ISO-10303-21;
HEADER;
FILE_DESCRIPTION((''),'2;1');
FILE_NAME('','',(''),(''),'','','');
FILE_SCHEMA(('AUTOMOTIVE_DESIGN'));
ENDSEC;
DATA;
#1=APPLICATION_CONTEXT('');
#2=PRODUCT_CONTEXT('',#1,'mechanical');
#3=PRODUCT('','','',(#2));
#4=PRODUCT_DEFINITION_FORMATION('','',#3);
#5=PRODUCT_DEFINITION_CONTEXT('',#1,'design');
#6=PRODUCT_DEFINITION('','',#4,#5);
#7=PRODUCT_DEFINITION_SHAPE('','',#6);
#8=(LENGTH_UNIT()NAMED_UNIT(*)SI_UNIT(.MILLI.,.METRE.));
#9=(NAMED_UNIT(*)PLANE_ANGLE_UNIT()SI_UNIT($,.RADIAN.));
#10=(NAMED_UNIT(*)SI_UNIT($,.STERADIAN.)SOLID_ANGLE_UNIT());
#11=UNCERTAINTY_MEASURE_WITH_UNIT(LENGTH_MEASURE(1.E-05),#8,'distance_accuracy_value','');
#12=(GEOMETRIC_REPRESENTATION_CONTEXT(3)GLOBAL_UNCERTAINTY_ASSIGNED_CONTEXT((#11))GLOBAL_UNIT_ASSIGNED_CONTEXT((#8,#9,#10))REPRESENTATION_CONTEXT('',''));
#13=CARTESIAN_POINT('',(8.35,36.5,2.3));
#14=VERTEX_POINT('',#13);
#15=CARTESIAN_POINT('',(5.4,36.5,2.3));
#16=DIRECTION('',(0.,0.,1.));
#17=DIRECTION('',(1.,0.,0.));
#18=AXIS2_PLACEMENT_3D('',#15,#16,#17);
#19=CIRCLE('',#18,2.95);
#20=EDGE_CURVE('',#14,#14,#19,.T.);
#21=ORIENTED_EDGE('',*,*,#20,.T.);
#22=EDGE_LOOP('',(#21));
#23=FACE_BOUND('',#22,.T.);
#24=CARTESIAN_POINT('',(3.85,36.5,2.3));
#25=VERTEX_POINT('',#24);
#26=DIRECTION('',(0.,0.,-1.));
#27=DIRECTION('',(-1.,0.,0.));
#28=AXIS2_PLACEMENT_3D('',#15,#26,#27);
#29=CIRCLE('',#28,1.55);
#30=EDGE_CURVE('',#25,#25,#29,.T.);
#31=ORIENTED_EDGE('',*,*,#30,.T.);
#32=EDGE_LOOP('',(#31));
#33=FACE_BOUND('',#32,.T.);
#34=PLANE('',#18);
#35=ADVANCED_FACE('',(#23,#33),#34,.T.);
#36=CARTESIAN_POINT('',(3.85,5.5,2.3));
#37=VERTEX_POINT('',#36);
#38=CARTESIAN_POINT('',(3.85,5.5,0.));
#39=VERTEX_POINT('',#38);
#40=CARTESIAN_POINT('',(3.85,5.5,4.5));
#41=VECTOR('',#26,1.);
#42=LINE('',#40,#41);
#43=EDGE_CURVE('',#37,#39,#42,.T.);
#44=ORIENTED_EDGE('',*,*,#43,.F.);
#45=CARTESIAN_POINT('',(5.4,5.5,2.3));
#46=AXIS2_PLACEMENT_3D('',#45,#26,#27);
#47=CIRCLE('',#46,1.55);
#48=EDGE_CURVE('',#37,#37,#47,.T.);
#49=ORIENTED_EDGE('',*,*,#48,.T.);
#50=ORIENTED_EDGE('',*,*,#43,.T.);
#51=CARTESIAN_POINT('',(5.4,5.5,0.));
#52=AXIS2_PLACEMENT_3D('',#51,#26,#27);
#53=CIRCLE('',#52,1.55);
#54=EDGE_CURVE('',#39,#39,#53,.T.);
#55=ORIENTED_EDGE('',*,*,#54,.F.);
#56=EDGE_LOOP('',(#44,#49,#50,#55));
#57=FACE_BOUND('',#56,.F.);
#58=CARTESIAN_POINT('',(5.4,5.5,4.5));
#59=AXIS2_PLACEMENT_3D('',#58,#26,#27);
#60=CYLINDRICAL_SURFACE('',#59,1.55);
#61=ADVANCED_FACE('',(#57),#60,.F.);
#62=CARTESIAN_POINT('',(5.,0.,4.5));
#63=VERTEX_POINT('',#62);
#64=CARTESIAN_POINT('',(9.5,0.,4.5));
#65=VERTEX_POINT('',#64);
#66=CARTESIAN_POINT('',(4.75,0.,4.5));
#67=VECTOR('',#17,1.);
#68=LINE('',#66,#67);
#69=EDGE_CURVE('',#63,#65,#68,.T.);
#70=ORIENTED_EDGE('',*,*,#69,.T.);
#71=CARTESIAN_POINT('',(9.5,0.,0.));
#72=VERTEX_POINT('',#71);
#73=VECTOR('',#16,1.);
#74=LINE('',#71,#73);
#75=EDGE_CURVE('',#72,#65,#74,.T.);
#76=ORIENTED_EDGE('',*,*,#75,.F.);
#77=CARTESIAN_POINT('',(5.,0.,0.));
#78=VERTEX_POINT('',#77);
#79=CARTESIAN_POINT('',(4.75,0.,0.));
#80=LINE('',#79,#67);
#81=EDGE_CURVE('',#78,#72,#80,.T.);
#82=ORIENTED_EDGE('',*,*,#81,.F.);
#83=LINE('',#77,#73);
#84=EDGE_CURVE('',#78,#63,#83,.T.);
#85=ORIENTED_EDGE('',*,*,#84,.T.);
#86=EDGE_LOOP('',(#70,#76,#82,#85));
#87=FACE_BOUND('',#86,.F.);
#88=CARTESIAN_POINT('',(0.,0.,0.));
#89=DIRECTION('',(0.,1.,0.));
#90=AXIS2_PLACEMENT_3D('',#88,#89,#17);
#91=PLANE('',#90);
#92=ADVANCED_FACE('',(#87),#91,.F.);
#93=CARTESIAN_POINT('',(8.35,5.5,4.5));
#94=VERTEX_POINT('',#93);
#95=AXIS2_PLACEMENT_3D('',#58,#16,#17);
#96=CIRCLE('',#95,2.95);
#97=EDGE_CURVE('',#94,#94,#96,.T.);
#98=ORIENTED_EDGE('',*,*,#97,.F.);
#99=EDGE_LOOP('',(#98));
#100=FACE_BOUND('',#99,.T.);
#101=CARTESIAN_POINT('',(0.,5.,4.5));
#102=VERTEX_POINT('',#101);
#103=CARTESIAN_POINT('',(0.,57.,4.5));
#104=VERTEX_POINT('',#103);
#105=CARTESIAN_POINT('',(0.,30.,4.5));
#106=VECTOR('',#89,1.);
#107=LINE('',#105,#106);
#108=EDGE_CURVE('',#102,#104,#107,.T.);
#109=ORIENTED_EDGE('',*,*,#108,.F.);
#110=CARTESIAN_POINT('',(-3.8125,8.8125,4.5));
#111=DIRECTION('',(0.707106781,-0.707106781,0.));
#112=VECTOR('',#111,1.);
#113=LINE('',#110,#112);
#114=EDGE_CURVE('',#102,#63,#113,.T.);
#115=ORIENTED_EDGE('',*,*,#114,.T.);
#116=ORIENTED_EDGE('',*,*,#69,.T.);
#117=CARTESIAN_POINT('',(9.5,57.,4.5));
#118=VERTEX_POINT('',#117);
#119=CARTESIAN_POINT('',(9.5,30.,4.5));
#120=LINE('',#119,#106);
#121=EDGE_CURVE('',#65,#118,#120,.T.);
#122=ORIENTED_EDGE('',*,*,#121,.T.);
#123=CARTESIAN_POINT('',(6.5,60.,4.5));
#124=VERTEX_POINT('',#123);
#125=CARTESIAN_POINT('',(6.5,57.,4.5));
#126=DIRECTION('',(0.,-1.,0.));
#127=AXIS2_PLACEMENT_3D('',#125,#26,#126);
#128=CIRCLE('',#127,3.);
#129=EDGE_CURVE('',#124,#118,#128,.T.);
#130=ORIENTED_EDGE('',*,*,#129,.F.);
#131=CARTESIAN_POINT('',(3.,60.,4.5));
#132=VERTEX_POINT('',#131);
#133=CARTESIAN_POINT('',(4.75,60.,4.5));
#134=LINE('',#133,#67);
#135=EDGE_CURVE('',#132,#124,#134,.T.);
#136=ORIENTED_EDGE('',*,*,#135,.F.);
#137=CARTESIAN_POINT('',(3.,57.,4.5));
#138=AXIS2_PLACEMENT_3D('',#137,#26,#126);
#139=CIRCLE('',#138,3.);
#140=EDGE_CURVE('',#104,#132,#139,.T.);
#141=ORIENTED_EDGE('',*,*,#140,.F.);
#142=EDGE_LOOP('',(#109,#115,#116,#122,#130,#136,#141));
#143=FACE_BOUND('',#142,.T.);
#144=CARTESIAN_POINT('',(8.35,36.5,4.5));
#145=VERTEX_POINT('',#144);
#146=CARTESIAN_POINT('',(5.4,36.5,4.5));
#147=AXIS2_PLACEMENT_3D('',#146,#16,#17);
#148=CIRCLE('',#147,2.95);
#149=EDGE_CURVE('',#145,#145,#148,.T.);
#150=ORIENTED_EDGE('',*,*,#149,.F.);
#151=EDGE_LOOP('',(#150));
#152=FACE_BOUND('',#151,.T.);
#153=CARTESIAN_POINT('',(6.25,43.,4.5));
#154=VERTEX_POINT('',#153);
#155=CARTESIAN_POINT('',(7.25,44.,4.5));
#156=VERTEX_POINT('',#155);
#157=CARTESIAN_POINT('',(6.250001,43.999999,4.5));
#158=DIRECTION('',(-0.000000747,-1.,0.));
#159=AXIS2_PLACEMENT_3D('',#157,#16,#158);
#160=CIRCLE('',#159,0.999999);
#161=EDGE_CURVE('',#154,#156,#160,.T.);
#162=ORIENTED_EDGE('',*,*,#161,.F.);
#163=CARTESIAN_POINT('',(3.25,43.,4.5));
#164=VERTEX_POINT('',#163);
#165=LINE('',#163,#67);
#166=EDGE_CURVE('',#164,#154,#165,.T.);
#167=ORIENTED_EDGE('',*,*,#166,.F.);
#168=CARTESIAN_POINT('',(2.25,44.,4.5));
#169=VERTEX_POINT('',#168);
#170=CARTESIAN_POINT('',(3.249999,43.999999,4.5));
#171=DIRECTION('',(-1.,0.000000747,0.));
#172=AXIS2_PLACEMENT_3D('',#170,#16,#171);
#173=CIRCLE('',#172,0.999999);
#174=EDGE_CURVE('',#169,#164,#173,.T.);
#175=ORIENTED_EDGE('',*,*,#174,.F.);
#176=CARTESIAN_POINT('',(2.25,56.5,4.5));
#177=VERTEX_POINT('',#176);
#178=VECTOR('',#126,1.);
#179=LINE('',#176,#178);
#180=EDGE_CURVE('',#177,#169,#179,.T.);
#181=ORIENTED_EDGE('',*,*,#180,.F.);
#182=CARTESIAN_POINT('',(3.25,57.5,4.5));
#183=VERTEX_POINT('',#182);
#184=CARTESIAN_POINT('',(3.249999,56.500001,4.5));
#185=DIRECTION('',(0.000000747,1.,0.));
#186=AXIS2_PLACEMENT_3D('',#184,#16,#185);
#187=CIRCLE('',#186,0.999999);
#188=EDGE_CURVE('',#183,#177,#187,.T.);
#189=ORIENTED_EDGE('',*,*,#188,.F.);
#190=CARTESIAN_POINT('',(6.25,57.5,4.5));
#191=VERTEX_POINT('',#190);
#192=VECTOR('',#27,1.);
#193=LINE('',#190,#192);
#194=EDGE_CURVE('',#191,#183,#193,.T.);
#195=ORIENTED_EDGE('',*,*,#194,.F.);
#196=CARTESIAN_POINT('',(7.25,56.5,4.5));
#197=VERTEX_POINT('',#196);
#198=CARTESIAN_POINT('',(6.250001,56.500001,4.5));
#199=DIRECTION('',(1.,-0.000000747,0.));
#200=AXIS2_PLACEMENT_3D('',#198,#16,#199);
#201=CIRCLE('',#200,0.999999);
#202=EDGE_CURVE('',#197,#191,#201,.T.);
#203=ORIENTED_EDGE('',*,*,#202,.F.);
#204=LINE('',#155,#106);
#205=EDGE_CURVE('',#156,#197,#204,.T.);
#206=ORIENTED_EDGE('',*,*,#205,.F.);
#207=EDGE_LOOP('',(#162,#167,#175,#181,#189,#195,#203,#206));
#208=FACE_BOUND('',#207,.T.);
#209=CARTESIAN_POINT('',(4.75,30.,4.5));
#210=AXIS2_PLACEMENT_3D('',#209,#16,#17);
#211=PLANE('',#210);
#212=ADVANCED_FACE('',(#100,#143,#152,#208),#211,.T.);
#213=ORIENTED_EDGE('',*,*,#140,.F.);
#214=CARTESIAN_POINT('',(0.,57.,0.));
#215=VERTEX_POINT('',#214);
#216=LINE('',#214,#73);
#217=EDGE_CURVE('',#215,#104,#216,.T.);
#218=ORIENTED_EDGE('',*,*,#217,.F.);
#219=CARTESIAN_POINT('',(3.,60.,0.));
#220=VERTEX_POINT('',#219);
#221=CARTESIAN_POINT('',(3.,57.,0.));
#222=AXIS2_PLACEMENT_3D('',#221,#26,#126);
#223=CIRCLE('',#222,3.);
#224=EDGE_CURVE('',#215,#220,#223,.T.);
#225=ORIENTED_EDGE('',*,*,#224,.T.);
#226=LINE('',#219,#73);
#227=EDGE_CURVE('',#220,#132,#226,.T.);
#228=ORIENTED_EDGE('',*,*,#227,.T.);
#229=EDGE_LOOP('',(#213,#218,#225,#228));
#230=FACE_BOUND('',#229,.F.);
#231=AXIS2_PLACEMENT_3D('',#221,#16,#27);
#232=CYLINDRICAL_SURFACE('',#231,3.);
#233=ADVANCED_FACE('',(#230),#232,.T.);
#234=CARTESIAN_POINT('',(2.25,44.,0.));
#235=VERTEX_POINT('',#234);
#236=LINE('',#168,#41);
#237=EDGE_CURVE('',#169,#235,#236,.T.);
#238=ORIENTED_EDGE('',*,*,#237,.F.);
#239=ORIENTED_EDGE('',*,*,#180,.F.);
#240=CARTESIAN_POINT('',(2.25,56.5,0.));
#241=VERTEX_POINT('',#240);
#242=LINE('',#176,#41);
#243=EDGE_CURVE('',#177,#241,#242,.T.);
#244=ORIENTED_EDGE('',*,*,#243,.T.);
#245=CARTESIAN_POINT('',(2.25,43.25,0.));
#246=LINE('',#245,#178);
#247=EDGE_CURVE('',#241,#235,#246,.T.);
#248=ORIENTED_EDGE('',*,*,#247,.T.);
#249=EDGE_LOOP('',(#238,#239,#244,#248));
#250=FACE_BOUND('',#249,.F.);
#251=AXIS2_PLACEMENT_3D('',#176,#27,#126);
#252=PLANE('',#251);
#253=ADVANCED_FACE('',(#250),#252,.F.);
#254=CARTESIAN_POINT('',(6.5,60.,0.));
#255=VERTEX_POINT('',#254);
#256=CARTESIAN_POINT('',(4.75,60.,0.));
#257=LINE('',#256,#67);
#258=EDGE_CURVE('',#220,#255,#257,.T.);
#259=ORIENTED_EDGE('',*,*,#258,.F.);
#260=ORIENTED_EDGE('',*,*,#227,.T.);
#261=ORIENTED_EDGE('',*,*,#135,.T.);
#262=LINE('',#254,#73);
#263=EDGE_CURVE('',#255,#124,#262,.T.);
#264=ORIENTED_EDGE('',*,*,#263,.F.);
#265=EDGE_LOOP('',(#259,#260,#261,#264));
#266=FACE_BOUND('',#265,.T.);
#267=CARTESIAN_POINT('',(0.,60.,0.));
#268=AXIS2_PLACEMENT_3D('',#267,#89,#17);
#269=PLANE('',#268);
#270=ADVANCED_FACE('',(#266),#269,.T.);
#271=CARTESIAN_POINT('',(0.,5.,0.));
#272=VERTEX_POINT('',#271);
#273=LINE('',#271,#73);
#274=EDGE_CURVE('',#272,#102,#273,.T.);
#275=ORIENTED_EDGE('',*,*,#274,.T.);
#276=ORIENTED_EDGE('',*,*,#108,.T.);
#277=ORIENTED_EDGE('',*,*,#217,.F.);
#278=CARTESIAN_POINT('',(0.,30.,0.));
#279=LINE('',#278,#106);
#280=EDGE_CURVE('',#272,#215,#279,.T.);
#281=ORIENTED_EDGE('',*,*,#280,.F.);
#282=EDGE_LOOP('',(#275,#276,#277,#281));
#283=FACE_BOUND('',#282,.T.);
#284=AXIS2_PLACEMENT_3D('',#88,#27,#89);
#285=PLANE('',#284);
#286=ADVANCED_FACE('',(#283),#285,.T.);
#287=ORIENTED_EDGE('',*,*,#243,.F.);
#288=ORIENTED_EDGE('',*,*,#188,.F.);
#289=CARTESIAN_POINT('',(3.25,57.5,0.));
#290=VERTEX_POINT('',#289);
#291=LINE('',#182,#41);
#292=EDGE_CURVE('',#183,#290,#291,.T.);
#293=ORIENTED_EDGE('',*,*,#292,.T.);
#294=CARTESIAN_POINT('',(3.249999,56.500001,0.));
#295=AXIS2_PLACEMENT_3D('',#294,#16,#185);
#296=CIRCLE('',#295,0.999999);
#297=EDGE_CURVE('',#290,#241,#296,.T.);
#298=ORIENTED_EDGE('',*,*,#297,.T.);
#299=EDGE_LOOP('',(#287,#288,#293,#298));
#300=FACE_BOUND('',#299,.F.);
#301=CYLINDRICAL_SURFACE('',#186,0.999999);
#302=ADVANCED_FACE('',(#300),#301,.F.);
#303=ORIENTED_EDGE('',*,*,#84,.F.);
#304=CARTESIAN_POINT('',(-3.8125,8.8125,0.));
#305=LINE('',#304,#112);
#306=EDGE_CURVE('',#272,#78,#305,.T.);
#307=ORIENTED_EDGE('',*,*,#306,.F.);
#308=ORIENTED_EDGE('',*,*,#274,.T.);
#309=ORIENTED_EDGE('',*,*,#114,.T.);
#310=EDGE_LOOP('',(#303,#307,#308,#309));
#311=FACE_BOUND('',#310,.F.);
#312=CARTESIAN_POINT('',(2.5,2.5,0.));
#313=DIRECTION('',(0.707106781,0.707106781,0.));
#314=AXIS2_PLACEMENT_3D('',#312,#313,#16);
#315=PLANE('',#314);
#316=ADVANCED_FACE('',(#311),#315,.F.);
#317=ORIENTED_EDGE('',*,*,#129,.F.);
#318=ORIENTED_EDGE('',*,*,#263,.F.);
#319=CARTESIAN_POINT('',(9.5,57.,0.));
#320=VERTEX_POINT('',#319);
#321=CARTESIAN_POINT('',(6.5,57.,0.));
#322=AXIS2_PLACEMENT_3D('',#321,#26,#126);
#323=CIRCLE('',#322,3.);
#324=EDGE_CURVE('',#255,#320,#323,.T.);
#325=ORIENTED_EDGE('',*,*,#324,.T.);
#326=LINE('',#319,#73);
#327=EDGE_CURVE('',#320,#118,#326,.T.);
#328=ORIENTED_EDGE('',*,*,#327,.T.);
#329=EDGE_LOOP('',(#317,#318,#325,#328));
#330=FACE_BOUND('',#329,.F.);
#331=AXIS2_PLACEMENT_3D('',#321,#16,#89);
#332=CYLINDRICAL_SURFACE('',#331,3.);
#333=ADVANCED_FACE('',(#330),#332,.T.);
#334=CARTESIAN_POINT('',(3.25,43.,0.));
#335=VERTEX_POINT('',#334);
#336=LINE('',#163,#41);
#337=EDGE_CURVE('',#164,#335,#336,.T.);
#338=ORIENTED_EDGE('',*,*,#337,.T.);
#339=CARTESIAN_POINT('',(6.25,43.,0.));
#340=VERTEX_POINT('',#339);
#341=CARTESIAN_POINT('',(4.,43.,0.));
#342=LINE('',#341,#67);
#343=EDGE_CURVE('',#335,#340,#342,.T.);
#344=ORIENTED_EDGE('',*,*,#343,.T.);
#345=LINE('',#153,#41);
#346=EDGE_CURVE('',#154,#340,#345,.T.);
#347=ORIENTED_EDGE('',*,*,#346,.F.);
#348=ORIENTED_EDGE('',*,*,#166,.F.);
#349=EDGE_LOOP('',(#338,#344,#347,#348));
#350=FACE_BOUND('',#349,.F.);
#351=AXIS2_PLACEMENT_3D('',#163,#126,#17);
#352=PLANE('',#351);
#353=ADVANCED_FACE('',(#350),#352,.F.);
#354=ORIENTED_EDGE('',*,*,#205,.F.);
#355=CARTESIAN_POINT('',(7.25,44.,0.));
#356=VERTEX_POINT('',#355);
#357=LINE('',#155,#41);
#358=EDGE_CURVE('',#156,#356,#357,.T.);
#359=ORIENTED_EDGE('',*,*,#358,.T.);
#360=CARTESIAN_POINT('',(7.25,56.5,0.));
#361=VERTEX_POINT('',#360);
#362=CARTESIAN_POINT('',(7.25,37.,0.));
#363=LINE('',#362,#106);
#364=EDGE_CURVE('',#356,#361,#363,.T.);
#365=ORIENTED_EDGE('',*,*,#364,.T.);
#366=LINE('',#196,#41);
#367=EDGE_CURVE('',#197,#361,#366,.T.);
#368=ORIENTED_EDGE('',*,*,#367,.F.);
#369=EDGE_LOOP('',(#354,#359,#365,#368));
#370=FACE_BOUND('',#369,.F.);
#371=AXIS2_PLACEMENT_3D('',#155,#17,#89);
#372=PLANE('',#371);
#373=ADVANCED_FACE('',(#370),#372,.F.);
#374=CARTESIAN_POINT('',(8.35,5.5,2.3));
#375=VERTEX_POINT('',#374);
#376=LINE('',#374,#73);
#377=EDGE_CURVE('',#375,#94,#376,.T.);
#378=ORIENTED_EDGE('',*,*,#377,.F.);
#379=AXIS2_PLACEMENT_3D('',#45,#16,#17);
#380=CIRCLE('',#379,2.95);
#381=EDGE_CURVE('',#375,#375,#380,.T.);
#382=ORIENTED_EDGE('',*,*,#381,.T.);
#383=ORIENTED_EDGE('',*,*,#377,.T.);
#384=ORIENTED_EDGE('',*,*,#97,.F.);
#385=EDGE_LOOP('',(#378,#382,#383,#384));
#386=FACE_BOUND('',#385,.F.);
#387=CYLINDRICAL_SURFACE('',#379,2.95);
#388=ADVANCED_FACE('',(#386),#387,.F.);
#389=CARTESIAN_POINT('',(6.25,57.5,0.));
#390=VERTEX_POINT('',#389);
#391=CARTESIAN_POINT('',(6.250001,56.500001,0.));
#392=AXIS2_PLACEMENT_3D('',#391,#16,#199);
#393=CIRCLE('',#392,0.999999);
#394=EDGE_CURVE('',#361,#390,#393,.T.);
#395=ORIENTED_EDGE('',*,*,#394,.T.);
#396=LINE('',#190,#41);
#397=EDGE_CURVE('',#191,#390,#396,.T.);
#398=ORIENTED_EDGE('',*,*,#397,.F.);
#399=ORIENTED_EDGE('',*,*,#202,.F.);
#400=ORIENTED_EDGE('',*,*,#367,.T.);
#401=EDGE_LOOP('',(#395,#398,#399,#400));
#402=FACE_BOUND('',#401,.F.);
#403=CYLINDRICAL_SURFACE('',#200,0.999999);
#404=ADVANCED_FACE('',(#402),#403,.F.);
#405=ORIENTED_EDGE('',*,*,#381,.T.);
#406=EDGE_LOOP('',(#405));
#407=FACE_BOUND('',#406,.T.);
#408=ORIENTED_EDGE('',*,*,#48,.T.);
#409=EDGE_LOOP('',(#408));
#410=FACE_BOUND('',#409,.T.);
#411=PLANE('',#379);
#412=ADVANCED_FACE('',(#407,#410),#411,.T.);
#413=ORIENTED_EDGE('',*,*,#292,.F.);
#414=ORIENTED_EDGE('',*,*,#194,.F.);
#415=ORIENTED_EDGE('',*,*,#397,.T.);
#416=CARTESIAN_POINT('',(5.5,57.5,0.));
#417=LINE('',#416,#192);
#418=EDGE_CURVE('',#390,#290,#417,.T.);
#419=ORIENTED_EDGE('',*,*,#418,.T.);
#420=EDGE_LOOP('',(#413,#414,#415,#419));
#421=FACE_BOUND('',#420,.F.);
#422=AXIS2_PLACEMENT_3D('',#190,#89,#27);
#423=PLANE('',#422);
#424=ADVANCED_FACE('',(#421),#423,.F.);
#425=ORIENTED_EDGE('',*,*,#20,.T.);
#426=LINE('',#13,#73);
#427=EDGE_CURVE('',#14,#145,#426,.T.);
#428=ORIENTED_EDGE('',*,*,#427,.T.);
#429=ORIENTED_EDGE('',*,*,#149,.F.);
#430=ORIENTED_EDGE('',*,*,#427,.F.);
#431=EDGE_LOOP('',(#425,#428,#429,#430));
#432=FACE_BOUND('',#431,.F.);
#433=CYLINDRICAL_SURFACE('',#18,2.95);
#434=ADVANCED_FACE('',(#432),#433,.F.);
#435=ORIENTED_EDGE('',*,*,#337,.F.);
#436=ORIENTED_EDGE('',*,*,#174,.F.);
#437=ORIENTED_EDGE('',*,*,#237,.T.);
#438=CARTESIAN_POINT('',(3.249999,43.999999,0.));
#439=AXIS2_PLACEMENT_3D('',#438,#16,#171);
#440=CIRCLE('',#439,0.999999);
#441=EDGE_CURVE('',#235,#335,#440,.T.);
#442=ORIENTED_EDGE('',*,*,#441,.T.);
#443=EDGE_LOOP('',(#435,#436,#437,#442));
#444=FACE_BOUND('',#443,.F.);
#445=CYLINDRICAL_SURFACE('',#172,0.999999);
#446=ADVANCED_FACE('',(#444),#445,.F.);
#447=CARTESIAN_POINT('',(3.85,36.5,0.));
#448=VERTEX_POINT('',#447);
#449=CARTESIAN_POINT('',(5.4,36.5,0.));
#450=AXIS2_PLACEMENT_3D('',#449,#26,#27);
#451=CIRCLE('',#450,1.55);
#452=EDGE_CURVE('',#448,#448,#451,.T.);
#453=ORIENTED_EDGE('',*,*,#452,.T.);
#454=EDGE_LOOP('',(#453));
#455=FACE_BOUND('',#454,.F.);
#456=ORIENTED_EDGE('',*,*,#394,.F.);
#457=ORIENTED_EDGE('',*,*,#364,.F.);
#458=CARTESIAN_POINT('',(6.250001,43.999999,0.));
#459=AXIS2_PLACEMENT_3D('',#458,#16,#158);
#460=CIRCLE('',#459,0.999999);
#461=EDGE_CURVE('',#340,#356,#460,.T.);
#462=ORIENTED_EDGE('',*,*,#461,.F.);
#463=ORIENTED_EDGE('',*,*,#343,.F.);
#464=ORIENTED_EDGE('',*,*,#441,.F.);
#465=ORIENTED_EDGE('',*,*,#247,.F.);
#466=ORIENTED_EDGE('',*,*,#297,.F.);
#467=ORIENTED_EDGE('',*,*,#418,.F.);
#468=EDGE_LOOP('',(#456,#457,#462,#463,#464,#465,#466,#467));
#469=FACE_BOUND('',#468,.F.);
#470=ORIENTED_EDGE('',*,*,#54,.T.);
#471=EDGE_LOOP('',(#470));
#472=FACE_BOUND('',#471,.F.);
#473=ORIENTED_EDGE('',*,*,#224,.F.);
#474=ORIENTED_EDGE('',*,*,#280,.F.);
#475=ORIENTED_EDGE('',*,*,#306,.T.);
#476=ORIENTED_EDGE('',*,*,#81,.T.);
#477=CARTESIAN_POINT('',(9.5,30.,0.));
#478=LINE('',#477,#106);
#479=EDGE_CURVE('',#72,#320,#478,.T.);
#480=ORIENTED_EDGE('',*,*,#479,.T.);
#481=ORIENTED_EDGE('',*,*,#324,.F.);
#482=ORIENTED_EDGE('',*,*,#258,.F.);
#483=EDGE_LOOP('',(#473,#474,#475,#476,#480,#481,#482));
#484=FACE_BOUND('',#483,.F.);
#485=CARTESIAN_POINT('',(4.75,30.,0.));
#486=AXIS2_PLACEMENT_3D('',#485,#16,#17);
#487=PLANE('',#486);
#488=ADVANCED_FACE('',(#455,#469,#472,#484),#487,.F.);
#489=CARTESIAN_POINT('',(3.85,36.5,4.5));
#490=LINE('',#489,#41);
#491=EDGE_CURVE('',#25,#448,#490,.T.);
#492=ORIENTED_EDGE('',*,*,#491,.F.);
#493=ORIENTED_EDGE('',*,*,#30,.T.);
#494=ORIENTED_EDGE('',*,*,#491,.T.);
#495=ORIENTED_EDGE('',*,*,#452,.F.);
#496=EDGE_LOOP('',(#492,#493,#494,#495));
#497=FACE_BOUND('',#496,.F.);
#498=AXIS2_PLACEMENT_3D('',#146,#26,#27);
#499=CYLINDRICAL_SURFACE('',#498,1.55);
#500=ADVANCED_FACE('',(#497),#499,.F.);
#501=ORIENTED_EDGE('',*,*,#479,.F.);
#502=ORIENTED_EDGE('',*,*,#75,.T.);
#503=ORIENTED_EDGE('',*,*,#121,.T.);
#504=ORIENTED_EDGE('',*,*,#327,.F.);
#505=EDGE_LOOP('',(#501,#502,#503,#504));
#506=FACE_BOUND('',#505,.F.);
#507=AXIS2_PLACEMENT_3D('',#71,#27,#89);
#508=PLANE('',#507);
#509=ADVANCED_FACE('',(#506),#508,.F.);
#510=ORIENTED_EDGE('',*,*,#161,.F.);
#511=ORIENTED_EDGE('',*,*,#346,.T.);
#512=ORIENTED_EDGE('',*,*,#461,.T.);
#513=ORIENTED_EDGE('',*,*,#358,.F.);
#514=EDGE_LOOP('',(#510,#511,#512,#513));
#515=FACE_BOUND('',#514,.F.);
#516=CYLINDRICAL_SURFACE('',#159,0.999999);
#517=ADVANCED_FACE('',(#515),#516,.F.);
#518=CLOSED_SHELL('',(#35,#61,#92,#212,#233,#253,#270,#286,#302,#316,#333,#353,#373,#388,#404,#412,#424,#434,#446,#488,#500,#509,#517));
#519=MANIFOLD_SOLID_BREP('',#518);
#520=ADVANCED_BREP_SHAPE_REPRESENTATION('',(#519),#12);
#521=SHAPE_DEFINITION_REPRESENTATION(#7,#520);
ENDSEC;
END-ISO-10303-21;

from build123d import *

# Parameters (mm, degrees)
F0_W           = 9.5
F0_H           = 60
F1_DEPTH       = 4.5
F4_D           = 3.1
F4_CBORE_D     = 5.9
F4_CBORE_DEPTH = 2.2
F5_DEPTH       = 25
F6_SIZE        = 5
F7_R           = 3


with BuildPart() as f1:
    # F0 (on Top) → F1 (new body)
    with BuildSketch(Plane.XY):
        with Locations((4.75, 30)):
            Rectangle(F0_W, F0_H)
    extrude(amount=F1_DEPTH)

    # F4 (through all)
    with Locations(Plane.XY.offset(4.5)):
        with Locations((5.4, 36.5), (5.4, 5.5)):
            CounterBoreHole(F4_D / 2, F4_CBORE_D / 2, F4_CBORE_DEPTH)

    # F3 (on face) → F5 (cut)
    with BuildSketch(Plane.XY.offset(4.5)):
        with BuildLine():
            Line((6.25, 57.5), (3.25, 57.5))
            ThreePointArc((3.25, 57.5), (2.542893, 57.207107), (2.25, 56.5))
            Line((2.25, 56.5), (2.25, 44))
            ThreePointArc((2.25, 44), (2.542893, 43.292893), (3.25, 43))
            Line((3.25, 43), (6.25, 43))
            ThreePointArc((6.25, 43), (6.957107, 43.292893), (7.25, 44))
            Line((7.25, 44), (7.25, 56.5))
            ThreePointArc((7.25, 56.5), (6.957107, 57.207107), (6.25, 57.5))
        make_face()
    extrude(amount=-F5_DEPTH, mode=Mode.SUBTRACT)

    # F6
    f6_edges = [f1.edges().sort_by_distance(p)[0] for p in [
        (0, 0, 2.25),
    ]]
    chamfer(f6_edges, length=F6_SIZE)

    # F7
    f7_edges = [f1.edges().sort_by_distance(p)[0] for p in [
        (0, 60, 2.25),
        (9.5, 60, 2.25),
    ]]
    fillet(f7_edges, radius=F7_R)


solid = f1.part
